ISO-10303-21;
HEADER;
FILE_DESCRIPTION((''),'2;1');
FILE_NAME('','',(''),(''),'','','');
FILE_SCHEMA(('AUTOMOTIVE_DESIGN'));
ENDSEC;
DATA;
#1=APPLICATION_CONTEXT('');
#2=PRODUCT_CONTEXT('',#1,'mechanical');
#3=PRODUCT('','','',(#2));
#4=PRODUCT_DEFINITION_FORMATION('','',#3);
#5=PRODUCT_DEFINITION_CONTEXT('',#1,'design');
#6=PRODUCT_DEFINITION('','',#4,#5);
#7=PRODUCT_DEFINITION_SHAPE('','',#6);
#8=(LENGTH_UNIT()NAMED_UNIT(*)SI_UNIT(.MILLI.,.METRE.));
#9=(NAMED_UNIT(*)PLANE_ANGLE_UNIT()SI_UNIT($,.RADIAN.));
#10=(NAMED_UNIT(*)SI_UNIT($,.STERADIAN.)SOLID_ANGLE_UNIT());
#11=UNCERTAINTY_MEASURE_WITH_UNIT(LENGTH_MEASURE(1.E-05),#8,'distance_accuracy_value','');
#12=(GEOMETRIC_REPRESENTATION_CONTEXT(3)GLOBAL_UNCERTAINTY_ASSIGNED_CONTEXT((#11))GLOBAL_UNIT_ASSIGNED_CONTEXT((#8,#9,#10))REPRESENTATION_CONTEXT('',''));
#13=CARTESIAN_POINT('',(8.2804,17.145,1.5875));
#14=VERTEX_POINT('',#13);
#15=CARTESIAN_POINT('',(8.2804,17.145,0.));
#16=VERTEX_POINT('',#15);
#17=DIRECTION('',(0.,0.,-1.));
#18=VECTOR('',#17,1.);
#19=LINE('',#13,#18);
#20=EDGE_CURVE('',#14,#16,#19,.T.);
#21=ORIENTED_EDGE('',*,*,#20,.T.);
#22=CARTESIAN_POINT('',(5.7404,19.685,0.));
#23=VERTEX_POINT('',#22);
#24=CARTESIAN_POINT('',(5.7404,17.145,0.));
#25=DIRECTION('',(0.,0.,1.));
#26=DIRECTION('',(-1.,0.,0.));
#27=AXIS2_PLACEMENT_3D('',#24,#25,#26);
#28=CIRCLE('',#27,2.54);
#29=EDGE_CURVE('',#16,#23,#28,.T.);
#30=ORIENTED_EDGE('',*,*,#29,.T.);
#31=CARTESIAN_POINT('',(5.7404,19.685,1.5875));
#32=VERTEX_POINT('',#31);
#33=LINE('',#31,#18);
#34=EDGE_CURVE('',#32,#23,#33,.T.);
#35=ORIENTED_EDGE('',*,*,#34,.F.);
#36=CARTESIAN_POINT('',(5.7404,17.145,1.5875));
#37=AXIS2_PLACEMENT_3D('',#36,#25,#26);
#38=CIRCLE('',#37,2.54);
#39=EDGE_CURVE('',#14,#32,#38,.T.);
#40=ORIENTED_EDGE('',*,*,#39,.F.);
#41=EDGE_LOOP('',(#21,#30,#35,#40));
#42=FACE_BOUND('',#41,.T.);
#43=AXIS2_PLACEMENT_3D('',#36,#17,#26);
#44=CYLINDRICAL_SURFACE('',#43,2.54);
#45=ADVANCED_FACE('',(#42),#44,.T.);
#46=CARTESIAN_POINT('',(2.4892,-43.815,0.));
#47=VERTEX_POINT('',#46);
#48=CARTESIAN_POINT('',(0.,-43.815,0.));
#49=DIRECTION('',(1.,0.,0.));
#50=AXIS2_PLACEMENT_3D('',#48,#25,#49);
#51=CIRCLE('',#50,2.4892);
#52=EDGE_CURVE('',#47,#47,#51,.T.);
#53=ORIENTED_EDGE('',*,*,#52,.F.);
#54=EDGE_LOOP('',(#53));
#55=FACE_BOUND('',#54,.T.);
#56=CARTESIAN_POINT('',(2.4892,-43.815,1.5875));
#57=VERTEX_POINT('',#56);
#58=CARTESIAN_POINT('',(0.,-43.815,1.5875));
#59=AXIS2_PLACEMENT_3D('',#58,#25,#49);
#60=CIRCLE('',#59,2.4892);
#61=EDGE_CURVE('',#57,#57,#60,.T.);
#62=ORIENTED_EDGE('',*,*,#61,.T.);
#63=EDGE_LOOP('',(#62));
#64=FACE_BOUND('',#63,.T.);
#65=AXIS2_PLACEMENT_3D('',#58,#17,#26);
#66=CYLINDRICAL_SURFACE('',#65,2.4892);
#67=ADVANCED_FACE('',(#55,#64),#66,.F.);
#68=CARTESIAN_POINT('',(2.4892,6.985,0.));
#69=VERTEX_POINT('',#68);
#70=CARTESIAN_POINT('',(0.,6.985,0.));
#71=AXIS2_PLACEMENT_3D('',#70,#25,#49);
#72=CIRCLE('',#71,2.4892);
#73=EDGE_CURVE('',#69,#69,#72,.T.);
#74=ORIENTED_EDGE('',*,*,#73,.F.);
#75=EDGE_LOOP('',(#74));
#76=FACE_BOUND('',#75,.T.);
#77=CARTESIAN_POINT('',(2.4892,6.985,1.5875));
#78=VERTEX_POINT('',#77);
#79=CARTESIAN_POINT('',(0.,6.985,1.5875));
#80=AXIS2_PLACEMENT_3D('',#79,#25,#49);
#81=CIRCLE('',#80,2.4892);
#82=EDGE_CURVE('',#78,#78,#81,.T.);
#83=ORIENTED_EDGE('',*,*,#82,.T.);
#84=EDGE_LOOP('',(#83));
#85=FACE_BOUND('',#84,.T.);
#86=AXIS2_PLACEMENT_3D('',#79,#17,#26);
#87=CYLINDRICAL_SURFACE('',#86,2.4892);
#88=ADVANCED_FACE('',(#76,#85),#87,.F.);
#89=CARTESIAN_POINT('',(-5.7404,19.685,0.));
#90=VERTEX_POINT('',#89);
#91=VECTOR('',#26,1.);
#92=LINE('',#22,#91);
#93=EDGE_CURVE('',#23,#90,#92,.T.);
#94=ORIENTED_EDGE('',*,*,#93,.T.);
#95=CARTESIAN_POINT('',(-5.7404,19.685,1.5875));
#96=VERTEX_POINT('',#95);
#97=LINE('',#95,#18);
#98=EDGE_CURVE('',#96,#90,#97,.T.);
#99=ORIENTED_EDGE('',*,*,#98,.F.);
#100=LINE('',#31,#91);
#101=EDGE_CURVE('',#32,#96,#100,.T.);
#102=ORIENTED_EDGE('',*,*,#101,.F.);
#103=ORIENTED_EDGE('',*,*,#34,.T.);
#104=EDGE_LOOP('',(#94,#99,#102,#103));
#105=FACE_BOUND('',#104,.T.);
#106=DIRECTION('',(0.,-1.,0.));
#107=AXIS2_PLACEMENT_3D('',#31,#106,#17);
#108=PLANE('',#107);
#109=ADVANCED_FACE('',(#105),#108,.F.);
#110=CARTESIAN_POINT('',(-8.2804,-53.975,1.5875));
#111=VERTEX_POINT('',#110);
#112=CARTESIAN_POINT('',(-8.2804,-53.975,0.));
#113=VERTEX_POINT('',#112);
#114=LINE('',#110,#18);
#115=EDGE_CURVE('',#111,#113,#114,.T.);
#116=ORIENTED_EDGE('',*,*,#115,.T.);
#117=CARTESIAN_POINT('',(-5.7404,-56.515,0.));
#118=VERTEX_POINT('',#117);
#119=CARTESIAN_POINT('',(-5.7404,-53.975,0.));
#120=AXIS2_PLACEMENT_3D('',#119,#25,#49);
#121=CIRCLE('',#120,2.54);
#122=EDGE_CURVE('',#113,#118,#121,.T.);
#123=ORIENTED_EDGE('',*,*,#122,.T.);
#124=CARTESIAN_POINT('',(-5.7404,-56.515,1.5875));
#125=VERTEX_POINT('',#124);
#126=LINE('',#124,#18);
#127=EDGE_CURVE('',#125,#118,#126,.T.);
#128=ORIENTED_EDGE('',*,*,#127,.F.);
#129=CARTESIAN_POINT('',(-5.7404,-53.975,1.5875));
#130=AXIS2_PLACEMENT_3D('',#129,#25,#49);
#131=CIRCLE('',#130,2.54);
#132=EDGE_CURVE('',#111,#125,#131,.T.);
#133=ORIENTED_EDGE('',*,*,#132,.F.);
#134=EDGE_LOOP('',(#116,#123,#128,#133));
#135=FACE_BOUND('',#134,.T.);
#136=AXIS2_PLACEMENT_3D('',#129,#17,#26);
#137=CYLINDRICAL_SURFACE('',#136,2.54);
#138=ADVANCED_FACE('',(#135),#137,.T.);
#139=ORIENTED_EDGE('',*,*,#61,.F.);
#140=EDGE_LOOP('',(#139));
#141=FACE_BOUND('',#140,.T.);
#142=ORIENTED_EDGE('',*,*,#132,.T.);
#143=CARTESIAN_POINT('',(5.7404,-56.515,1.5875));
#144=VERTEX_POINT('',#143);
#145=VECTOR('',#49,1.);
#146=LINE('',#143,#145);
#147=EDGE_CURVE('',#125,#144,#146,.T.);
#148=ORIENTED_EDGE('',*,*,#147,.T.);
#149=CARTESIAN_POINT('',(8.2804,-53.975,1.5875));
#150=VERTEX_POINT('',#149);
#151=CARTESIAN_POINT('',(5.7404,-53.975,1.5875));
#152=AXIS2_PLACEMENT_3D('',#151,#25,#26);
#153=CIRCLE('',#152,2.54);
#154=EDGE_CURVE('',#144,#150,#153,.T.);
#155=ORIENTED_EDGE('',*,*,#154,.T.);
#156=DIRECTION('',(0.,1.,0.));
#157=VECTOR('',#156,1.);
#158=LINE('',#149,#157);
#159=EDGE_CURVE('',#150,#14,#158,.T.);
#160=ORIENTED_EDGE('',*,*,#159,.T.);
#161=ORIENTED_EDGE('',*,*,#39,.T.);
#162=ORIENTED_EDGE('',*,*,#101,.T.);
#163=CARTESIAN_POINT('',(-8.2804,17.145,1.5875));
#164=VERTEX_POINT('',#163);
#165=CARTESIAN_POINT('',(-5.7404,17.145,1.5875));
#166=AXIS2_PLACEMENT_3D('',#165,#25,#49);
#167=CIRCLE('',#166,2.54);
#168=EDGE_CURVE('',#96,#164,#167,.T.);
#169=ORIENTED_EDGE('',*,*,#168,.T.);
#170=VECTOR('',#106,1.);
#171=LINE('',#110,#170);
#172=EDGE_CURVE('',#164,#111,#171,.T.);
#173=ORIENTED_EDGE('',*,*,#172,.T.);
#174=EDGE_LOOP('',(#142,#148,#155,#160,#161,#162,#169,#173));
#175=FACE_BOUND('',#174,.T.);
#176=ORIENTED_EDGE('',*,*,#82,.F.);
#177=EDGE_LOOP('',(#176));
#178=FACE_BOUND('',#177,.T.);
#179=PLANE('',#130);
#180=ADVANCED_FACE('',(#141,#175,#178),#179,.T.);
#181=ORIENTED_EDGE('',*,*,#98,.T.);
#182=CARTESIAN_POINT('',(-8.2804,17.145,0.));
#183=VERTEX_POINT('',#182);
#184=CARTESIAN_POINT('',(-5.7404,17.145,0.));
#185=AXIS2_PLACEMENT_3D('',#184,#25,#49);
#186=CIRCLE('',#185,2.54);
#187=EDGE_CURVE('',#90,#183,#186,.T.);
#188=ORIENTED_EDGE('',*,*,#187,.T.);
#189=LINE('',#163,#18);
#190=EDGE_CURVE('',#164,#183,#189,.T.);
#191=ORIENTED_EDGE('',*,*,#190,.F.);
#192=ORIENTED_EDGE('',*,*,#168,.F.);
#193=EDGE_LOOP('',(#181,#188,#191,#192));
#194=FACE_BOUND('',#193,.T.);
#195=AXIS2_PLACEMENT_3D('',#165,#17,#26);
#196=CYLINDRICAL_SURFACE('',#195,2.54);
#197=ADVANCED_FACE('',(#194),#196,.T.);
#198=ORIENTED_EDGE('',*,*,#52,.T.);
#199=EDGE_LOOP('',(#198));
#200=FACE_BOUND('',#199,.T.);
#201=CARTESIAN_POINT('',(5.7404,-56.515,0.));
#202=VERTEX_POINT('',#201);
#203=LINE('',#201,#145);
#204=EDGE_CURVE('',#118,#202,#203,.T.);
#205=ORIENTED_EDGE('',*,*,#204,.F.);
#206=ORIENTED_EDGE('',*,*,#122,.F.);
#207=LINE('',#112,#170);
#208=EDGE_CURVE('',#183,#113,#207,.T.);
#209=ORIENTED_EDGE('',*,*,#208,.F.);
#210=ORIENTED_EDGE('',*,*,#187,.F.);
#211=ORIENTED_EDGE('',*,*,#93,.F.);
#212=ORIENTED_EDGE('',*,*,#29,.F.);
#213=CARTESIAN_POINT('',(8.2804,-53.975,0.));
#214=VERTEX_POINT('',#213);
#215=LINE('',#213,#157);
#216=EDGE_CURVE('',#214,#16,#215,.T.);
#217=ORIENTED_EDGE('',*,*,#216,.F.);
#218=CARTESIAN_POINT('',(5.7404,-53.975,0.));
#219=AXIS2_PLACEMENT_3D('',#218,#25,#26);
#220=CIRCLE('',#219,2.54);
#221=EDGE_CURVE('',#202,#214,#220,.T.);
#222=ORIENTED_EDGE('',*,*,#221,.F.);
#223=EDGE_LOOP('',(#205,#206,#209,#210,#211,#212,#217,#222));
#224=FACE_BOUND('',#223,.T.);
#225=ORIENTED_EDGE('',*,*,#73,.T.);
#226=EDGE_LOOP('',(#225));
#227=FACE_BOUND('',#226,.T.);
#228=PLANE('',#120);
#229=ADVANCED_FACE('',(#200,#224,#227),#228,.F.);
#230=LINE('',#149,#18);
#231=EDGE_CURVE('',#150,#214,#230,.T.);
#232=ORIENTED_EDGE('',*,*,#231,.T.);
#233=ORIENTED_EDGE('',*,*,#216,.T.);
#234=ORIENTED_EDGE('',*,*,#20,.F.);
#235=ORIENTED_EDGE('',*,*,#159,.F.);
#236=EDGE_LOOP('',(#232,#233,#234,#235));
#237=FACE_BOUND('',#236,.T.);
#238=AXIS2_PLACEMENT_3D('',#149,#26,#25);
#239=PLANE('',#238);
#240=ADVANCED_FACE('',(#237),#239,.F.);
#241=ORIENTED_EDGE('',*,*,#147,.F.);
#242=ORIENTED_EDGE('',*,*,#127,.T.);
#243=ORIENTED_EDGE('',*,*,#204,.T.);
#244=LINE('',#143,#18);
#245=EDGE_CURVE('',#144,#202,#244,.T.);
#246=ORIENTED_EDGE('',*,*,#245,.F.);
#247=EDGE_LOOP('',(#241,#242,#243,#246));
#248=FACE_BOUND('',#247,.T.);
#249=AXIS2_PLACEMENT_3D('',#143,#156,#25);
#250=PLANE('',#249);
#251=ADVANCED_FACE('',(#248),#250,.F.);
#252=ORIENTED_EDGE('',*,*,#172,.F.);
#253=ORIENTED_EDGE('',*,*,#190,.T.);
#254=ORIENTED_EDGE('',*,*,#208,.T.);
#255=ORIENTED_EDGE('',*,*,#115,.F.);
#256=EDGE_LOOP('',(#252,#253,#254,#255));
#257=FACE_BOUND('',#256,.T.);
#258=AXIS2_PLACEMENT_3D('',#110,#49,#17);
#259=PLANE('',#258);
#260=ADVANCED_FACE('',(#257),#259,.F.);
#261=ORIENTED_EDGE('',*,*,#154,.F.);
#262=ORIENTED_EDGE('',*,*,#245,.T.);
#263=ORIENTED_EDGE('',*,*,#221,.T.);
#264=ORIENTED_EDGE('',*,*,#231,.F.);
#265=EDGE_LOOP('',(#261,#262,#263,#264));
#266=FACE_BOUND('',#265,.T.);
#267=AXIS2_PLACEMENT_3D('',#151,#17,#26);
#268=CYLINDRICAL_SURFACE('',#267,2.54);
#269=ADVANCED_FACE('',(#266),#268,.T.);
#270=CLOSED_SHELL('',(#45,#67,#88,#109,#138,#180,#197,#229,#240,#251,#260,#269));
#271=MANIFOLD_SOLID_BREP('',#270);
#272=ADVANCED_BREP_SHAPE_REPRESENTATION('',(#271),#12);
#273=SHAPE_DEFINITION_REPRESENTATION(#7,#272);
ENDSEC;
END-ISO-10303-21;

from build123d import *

# Parameters (mm, degrees)
SKETCH1_R           = 2.4892
BOSS_EXTRUDE1_DEPTH = 1.5875


with BuildPart() as part:
    # Sketch1 → Boss-Extrude1 (new body)
    with BuildSketch(Plane.XY):
        with BuildLine():
            Line((5.7404, -56.515), (-5.7404, -56.515))
            ThreePointArc((-5.7404, -56.515), (-7.536451224, -55.771051224), (-8.2804, -53.975))
            Line((-8.2804, -53.975), (-8.2804, 17.145))
            ThreePointArc((-8.2804, 17.145), (-7.536451224, 18.941051224), (-5.7404, 19.685))
            Line((-5.7404, 19.685), (5.7404, 19.685))
            ThreePointArc((5.7404, 19.685), (7.536451224, 18.941051224), (8.2804, 17.145))
            Line((8.2804, 17.145), (8.2804, -53.975))
            ThreePointArc((8.2804, -53.975), (7.536451224, -55.771051224), (5.7404, -56.515))
        make_face()
        with Locations((0, -43.815)):
            Circle(SKETCH1_R, mode=Mode.SUBTRACT)
        with Locations((0, 6.985)):
            Circle(SKETCH1_R, mode=Mode.SUBTRACT)
    extrude(amount=BOSS_EXTRUDE1_DEPTH)


solid = part.part
